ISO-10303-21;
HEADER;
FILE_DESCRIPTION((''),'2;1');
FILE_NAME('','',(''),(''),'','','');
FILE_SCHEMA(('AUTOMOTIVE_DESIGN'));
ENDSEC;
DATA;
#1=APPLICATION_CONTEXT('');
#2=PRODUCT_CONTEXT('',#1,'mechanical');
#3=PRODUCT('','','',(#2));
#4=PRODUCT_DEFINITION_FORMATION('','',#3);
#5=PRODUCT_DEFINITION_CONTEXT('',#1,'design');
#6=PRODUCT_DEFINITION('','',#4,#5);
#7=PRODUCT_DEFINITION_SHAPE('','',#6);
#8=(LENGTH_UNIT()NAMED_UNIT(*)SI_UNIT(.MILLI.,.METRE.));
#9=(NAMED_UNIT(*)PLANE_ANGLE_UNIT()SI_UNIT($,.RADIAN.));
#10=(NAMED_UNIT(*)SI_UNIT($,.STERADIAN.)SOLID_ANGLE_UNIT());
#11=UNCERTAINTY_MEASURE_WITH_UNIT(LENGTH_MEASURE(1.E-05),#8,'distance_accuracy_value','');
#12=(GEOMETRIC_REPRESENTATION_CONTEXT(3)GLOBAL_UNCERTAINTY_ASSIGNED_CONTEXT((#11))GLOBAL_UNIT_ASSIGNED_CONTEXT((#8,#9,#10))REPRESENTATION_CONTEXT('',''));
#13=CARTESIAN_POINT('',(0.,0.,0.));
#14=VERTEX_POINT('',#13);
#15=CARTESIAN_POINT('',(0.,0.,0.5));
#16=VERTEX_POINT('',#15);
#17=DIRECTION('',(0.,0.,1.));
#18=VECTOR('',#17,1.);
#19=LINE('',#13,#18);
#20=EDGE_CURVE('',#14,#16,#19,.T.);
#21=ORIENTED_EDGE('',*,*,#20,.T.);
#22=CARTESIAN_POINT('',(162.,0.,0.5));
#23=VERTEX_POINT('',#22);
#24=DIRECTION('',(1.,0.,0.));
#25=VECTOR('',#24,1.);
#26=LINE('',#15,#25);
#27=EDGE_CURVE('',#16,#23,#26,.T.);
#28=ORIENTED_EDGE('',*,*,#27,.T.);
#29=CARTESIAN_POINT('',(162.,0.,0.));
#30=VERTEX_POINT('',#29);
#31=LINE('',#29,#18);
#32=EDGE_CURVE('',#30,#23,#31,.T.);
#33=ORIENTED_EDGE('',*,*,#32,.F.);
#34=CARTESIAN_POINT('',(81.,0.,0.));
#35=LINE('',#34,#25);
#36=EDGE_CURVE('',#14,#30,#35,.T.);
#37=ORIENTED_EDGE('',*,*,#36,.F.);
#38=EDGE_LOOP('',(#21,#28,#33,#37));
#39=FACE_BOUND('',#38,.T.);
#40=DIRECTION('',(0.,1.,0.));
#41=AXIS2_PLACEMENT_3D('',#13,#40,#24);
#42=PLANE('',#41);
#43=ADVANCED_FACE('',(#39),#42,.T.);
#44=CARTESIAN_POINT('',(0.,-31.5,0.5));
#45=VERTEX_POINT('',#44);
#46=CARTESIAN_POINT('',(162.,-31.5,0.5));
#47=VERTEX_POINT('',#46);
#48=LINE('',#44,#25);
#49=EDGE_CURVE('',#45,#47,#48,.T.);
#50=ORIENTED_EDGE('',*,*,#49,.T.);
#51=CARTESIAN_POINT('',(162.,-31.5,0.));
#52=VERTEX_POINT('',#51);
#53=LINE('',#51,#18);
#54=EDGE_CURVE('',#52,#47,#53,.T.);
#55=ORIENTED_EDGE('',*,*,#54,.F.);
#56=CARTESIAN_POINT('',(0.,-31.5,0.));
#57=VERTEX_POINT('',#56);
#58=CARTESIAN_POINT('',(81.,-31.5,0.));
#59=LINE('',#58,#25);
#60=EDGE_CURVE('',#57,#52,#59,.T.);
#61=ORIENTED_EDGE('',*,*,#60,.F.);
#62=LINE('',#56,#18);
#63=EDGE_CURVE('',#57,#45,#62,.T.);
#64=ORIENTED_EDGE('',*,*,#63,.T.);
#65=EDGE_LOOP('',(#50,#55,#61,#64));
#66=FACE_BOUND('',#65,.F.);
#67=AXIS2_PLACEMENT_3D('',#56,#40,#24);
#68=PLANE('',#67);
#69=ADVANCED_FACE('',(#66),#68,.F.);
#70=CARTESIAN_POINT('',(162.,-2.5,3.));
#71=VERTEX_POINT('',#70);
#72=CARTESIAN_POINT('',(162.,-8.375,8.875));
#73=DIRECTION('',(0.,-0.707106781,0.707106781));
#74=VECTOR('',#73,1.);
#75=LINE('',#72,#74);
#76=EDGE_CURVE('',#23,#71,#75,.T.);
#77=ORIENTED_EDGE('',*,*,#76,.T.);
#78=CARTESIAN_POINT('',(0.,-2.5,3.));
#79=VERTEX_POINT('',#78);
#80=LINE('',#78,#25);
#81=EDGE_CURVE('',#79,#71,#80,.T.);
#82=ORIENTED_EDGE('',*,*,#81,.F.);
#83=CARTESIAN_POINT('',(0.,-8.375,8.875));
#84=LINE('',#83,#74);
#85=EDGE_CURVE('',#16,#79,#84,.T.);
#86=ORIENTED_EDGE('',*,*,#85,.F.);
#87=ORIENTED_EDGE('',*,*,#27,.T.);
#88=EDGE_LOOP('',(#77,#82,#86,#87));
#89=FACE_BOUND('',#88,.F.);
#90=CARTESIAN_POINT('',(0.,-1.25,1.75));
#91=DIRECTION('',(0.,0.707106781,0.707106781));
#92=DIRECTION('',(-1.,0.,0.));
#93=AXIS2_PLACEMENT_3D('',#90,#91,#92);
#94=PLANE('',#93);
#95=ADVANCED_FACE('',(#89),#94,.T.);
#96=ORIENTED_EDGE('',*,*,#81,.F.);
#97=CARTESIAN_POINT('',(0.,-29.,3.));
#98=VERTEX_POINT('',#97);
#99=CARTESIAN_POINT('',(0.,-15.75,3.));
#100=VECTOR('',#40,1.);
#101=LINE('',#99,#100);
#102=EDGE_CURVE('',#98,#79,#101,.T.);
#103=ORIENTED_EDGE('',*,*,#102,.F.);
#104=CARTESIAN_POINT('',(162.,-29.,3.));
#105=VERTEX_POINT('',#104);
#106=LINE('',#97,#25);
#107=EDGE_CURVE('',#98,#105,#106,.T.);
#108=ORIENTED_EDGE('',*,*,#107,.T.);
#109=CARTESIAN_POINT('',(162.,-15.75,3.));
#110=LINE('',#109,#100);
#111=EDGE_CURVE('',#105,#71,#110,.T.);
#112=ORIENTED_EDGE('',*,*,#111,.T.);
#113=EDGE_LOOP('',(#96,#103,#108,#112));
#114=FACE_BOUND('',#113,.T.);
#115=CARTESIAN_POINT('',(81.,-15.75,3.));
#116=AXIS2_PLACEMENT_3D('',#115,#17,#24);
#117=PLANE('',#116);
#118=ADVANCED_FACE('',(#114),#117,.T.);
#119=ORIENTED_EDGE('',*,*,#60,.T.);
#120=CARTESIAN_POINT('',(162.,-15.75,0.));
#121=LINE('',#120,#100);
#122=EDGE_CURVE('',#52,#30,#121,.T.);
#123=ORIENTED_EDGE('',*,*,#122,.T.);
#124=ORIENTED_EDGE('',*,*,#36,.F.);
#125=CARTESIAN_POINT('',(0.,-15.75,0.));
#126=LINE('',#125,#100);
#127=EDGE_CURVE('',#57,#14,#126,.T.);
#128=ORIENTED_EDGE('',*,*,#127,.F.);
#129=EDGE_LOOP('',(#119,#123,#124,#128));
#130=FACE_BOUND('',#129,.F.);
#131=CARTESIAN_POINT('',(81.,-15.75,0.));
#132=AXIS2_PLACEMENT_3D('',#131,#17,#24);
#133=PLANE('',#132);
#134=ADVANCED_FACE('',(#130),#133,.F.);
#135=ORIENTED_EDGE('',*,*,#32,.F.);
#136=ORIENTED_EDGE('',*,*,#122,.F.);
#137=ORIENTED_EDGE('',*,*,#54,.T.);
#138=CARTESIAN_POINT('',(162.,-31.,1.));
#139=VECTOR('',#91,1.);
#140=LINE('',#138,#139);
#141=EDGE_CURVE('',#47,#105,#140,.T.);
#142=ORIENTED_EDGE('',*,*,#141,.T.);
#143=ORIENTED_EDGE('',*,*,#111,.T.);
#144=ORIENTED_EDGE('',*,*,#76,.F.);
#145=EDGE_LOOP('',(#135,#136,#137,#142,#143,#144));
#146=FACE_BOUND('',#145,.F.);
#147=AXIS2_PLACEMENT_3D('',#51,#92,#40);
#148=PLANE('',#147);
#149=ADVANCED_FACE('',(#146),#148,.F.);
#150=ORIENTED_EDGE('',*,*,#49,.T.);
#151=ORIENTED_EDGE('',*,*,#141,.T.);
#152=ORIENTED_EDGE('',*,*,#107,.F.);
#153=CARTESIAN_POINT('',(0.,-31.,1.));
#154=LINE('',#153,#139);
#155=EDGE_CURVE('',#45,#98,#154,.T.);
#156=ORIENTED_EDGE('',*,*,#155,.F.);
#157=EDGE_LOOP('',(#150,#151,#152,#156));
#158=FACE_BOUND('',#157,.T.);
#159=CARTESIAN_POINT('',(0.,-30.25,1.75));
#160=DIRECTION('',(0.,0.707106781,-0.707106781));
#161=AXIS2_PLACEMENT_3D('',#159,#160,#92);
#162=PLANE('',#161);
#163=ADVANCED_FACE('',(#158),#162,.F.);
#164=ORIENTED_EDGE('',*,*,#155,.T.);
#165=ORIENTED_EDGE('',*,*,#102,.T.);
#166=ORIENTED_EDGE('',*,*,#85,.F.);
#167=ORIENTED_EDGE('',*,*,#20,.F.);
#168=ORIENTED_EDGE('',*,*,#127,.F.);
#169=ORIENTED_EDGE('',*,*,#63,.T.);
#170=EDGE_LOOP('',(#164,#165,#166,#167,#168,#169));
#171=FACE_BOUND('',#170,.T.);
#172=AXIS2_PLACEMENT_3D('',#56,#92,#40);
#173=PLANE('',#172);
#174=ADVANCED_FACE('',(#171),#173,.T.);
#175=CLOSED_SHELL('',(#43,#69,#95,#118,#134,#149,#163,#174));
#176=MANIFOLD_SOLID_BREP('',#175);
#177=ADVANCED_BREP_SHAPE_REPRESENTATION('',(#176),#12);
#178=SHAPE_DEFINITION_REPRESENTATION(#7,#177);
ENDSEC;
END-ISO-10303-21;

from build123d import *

# Parameters (mm, degrees)
SKETCH_W     = 162
SKETCH_H     = 31.5
PAD_DEPTH    = 3
CHAMFER_SIZE = 2.5


with BuildPart() as part:
    # Sketch → Pad (new body)
    with BuildSketch(Plane.XY):
        with Locations((81, -15.75)):
            Rectangle(SKETCH_W, SKETCH_H)
    extrude(amount=PAD_DEPTH)

    # Chamfer
    chamfer_edges = [part.edges().sort_by_distance(p)[0] for p in [
        (81, -31.5, 3),
        (81, 0, 3),
    ]]
    chamfer(chamfer_edges, length=CHAMFER_SIZE)


solid = part.part
